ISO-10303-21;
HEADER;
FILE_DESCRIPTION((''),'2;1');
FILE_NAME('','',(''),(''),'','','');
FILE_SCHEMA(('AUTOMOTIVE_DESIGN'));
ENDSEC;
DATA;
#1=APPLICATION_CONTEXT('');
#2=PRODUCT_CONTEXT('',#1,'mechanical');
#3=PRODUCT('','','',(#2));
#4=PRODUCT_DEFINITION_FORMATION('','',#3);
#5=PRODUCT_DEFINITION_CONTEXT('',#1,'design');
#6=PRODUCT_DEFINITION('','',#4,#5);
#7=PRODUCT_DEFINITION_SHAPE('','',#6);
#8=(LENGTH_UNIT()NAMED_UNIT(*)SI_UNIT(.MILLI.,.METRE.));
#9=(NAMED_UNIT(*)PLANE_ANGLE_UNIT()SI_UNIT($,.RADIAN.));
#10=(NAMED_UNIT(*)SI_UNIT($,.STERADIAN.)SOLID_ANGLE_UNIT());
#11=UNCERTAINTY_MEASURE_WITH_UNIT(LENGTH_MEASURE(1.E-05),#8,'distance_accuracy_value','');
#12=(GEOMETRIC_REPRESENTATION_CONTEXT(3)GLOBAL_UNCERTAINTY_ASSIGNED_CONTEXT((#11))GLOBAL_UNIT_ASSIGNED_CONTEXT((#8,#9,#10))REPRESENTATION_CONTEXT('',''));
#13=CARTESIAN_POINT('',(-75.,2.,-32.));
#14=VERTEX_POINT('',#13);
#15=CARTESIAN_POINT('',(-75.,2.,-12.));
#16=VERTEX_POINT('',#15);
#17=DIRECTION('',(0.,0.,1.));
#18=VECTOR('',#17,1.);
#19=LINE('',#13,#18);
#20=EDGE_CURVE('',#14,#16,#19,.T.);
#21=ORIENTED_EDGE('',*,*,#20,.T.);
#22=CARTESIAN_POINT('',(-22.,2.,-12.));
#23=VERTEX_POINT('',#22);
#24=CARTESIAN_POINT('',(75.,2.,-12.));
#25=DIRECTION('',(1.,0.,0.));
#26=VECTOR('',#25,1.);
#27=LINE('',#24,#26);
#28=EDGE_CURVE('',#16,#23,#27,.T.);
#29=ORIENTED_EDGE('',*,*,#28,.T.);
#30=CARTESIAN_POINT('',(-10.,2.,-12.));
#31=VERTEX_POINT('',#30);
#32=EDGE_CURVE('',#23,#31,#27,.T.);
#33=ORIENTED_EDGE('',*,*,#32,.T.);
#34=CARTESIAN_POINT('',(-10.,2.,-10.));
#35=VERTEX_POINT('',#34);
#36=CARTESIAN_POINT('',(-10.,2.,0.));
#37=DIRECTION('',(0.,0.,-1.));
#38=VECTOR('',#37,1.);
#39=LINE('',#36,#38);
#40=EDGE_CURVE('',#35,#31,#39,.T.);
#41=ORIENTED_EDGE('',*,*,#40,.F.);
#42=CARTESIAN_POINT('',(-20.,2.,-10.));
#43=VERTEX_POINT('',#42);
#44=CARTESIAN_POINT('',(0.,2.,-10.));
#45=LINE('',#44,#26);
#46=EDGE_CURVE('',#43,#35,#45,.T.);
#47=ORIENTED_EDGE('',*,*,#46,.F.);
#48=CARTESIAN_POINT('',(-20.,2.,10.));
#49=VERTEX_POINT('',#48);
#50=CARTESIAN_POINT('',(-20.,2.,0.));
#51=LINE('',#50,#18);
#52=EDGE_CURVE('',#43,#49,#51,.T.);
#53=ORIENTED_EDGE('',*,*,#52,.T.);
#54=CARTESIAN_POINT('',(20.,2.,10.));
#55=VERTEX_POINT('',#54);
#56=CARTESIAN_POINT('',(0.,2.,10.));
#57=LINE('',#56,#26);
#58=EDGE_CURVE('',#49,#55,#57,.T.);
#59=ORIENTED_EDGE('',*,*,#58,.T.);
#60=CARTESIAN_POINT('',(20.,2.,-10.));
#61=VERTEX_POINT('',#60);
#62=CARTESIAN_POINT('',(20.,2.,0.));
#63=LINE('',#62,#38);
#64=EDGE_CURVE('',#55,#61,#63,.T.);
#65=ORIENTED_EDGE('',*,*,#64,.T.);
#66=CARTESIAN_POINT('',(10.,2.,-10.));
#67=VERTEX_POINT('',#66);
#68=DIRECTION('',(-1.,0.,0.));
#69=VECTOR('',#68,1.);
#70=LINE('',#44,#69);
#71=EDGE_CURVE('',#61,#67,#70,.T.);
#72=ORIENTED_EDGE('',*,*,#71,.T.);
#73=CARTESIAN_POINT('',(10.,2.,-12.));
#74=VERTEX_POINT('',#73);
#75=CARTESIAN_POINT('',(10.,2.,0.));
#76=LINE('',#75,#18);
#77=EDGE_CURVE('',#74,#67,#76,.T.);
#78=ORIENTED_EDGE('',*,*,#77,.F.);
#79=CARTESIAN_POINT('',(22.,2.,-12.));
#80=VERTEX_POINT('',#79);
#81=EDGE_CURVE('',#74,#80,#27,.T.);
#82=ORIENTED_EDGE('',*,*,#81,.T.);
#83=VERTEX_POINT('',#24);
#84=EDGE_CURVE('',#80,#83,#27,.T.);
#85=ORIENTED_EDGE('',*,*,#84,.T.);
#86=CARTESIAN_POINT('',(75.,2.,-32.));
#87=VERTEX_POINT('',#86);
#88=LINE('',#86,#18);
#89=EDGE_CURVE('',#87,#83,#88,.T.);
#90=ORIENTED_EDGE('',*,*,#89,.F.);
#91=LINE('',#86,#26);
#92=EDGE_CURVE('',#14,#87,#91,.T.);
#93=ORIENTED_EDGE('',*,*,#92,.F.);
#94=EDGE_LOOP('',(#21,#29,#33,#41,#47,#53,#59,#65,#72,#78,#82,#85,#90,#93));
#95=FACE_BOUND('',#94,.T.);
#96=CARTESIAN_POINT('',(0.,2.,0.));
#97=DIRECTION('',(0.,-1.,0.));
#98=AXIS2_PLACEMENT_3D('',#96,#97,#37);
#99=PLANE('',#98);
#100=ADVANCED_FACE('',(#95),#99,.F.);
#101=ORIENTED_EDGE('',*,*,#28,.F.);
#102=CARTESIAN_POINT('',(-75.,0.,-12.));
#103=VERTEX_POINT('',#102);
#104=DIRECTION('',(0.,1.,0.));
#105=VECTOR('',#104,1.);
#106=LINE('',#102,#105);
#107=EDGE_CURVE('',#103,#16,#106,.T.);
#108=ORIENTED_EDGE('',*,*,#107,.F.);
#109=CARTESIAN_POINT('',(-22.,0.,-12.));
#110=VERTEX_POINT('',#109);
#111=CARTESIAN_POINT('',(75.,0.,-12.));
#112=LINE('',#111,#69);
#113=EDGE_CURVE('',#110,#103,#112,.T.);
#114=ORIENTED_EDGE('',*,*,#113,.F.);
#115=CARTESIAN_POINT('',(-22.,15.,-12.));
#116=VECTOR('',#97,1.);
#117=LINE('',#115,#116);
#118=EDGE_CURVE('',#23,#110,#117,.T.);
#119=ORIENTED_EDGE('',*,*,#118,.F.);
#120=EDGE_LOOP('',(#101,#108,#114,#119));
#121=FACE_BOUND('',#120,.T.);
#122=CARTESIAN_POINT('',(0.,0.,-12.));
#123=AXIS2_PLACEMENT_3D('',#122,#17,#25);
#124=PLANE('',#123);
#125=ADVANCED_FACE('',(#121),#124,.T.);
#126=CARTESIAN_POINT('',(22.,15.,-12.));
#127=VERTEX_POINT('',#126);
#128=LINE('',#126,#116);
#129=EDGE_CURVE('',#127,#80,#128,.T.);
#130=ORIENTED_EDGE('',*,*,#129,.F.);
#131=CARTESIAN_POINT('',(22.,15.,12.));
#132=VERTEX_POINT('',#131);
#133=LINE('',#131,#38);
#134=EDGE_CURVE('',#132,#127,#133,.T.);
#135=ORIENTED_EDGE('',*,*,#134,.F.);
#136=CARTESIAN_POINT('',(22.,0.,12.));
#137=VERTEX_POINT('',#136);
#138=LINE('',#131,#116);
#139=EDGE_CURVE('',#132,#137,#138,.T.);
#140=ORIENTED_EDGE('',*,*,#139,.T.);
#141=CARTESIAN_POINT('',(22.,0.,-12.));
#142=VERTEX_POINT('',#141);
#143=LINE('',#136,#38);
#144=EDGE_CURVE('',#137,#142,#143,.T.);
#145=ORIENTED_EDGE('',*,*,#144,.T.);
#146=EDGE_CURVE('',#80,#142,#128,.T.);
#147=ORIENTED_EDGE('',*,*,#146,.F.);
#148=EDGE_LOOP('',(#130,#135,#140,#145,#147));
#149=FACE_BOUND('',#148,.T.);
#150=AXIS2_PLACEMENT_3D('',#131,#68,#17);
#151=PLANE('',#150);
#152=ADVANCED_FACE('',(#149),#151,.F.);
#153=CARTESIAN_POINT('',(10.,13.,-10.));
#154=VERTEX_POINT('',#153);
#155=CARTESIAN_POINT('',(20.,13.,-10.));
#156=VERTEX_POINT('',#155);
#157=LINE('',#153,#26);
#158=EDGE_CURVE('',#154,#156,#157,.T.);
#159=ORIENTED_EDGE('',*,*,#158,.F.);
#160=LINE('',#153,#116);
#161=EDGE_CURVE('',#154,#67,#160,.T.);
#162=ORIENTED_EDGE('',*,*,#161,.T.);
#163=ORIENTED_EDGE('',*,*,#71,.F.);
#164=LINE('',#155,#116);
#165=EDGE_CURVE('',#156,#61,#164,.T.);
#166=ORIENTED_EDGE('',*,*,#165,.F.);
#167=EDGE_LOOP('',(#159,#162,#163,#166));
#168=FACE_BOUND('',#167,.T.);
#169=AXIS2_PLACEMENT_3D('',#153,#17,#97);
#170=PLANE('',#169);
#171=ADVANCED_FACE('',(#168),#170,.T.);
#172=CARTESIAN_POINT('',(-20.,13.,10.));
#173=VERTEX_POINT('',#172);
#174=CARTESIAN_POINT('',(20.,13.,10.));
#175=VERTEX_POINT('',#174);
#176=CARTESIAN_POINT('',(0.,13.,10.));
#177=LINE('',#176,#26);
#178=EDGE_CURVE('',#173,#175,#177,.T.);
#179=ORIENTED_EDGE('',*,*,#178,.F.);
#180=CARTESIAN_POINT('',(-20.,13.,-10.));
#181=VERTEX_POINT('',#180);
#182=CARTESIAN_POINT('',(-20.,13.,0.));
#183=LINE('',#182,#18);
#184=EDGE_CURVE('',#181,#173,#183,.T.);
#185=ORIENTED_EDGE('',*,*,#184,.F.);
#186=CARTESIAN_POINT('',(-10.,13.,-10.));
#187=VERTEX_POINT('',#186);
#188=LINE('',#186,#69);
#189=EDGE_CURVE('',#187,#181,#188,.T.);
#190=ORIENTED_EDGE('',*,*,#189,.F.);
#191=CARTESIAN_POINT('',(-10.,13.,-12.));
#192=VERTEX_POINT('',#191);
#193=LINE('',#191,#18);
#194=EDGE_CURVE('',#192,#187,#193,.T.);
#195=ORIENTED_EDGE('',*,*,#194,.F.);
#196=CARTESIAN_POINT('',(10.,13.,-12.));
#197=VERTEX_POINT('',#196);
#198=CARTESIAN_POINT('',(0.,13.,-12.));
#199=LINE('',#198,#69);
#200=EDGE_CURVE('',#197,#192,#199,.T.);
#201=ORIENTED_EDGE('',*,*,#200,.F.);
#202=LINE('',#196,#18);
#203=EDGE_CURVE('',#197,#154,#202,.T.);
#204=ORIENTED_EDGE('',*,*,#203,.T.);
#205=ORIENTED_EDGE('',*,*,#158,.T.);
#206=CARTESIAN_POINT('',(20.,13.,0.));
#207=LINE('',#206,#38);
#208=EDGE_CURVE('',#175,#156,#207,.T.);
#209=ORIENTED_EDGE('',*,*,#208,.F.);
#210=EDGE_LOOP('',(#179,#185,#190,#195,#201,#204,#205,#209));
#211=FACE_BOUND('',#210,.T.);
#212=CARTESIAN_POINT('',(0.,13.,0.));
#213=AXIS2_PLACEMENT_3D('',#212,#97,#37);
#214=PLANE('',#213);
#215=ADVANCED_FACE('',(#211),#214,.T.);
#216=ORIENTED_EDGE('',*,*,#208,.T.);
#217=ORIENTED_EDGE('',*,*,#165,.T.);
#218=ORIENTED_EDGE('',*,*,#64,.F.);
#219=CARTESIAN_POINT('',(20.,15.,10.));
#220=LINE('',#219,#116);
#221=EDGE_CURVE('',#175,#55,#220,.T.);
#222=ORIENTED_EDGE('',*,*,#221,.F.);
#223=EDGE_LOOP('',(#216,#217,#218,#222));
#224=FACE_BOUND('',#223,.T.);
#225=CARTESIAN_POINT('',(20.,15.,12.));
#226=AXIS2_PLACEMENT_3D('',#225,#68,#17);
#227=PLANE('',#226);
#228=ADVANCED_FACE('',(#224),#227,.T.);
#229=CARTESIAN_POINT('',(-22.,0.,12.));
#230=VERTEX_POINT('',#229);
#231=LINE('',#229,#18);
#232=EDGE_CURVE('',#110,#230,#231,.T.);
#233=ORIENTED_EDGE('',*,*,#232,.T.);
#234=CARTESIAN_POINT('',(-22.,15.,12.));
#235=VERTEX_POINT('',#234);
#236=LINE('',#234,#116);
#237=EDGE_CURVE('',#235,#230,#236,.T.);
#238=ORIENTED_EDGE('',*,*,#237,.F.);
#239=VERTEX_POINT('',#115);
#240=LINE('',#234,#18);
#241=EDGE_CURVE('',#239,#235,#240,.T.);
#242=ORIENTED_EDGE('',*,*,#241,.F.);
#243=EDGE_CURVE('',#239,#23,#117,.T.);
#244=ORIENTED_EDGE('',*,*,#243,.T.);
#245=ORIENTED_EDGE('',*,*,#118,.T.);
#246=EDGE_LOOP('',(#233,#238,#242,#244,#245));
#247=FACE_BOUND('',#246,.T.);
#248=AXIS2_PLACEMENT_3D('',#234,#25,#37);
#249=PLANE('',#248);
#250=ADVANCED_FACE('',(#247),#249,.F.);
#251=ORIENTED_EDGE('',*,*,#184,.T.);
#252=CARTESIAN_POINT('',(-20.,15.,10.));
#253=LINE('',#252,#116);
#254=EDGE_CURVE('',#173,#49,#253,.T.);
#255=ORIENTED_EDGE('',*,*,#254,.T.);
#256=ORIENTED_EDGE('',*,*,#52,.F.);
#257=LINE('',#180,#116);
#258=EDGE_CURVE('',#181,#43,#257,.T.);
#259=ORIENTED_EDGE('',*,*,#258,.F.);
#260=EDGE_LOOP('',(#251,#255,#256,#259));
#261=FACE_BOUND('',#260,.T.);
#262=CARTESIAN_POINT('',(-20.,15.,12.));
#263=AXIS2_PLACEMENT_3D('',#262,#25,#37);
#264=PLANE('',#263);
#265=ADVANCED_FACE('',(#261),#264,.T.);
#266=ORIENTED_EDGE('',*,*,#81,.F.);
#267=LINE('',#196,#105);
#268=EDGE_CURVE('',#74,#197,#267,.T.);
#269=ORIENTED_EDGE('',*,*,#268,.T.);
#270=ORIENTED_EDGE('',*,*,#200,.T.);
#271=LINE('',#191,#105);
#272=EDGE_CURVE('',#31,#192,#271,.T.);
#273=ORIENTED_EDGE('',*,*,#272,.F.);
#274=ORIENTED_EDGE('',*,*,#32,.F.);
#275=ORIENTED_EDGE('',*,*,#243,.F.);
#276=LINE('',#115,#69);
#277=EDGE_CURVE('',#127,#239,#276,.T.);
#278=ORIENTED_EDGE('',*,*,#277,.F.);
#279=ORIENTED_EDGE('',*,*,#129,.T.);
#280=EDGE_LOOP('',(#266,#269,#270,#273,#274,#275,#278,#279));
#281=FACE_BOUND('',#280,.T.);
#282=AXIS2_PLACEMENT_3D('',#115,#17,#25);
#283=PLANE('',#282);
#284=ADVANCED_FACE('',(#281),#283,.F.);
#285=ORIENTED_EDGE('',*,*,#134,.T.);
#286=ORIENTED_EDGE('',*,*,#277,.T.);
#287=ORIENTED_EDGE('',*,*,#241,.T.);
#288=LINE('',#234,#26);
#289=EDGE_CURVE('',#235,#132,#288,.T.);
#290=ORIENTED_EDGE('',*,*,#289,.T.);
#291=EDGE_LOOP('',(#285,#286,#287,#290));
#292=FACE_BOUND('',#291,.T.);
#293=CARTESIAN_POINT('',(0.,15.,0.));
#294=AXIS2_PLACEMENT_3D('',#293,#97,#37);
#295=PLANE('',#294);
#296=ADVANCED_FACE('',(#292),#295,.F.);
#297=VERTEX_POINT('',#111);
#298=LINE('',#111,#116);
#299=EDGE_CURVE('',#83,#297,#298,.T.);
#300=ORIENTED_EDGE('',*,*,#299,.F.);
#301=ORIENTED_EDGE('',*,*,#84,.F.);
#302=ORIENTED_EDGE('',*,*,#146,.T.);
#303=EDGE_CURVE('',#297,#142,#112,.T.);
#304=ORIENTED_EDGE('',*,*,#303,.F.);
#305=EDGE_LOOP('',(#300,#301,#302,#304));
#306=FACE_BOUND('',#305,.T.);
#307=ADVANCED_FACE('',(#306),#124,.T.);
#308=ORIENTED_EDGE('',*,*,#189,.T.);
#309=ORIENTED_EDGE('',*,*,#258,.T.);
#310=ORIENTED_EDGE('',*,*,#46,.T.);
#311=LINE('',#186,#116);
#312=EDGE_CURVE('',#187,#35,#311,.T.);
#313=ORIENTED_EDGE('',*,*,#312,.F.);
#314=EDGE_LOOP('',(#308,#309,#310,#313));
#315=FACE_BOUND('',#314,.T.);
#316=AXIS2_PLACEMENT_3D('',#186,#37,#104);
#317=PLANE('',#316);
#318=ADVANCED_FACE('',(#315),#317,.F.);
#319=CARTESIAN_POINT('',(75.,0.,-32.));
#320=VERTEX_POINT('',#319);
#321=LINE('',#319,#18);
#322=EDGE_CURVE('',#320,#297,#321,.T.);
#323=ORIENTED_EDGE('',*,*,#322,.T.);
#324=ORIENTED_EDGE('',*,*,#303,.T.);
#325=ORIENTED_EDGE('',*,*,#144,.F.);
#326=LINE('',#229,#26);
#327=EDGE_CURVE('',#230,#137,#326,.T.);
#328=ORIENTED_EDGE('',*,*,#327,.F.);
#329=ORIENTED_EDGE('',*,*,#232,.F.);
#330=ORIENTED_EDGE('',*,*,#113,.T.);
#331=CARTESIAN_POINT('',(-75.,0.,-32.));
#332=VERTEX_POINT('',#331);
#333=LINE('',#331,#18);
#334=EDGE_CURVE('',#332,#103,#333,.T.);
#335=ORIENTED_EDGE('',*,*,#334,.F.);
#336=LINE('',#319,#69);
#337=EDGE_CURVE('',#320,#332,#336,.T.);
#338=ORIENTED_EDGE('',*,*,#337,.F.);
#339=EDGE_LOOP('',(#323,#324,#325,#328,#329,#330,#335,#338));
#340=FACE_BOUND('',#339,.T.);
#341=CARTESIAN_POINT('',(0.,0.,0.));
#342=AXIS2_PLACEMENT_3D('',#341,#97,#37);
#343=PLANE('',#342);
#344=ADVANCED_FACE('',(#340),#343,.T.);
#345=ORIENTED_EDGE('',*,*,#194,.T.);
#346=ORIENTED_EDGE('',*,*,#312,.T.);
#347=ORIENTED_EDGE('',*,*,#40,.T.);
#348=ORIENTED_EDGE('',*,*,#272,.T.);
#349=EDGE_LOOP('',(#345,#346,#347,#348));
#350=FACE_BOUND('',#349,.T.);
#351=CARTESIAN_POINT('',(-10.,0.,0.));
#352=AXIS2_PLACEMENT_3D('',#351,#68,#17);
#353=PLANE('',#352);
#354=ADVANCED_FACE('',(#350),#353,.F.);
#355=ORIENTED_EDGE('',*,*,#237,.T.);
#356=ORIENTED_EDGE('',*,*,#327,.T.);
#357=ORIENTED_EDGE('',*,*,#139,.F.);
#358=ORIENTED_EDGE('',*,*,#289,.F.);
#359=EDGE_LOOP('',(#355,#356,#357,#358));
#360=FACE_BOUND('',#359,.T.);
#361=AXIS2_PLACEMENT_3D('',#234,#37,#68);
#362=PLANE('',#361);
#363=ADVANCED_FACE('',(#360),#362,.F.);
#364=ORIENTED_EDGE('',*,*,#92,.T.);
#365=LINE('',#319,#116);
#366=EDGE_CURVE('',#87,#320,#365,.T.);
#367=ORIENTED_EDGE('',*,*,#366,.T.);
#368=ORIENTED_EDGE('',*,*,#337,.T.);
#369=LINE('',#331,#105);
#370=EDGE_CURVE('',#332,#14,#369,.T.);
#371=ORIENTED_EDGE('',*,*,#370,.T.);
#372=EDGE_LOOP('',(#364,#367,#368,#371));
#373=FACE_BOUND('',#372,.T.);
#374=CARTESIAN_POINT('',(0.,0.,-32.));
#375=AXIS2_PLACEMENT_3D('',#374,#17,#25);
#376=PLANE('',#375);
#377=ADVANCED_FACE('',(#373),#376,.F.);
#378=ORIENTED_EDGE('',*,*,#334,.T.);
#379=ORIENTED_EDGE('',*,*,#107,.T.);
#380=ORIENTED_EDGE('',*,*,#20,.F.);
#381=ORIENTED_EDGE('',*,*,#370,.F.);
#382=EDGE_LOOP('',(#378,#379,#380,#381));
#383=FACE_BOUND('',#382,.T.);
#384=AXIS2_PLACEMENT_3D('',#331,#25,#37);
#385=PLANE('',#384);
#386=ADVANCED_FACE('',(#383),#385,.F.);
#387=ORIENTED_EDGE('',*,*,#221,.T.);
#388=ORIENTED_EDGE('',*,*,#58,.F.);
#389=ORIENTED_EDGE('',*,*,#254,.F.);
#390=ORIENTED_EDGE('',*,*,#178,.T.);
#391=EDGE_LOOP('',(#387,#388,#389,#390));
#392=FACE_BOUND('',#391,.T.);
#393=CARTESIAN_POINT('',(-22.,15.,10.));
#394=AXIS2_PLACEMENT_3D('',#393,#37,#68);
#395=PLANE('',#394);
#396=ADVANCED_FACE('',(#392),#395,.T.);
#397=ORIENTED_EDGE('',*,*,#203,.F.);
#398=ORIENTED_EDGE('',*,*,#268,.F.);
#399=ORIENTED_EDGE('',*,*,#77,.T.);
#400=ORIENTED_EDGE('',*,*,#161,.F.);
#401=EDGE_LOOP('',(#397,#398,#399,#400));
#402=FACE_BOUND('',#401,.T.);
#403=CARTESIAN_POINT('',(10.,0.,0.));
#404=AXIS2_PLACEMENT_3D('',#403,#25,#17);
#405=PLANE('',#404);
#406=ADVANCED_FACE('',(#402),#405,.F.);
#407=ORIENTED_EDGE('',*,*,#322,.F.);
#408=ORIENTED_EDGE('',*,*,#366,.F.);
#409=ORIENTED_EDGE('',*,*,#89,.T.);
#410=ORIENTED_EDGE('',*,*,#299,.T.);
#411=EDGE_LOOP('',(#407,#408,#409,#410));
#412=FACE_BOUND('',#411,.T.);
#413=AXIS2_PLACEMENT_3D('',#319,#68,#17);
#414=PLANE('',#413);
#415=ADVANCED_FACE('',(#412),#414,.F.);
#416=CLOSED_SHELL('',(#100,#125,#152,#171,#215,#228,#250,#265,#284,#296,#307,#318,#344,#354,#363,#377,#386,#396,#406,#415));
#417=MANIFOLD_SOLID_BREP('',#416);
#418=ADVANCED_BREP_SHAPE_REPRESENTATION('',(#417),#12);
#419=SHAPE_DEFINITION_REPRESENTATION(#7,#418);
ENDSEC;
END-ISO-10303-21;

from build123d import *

# Parameters (mm, degrees)
SKETCH5_W           = 44
SKETCH5_H           = 24
BOSS_EXTRUDE3_DEPTH = 15
SHELL1_T            = -2
SKETCH7_W           = 2
SKETCH7_H           = 11.017608059
BOSS_EXTRUDE4_DEPTH = 10
SKETCH9_W           = 150
SKETCH9_H           = 2
BOSS_EXTRUDE5_DEPTH = 20


with BuildPart() as part:
    # Sketch5 → Boss-Extrude3 (new body)
    with BuildSketch(Plane(origin=(0, 0, 0), x_dir=(1, 0, 0), z_dir=(0, 1, 0))):
        Rectangle(SKETCH5_W, SKETCH5_H)
    extrude(amount=BOSS_EXTRUDE3_DEPTH)

    # Shell1
    shell1_openings = [part.faces().sort_by_distance(p)[0] for p in [
        (0, 7.5, -12),
    ]]
    offset(amount=SHELL1_T, openings=shell1_openings, kind=Kind.INTERSECTION)

    # Sketch7 → Boss-Extrude4 (add)
    with BuildSketch(Plane(origin=(-20, 0, 0), x_dir=(0, 0, -1), z_dir=(1, 0, 0))):
        with Locations((11, 7.49119597)):
            Rectangle(SKETCH7_W, SKETCH7_H)
    boss_extrude4 = extrude(amount=BOSS_EXTRUDE4_DEPTH)

    # Mirror1: Boss-Extrude4 across plane
    add(boss_extrude4.mirror(Plane(origin=(0, 0, 0), x_dir=(0, 0, 1), z_dir=(1, 0, 0))))

    # Sketch9 → Boss-Extrude5 (add)
    with BuildSketch(Plane(origin=(0, 0, -12), x_dir=(-1, 0, 0), z_dir=(0, 0, -1))):
        with Locations((0, 1)):
            Rectangle(SKETCH9_W, SKETCH9_H)
    extrude(amount=BOSS_EXTRUDE5_DEPTH)


solid = part.part
